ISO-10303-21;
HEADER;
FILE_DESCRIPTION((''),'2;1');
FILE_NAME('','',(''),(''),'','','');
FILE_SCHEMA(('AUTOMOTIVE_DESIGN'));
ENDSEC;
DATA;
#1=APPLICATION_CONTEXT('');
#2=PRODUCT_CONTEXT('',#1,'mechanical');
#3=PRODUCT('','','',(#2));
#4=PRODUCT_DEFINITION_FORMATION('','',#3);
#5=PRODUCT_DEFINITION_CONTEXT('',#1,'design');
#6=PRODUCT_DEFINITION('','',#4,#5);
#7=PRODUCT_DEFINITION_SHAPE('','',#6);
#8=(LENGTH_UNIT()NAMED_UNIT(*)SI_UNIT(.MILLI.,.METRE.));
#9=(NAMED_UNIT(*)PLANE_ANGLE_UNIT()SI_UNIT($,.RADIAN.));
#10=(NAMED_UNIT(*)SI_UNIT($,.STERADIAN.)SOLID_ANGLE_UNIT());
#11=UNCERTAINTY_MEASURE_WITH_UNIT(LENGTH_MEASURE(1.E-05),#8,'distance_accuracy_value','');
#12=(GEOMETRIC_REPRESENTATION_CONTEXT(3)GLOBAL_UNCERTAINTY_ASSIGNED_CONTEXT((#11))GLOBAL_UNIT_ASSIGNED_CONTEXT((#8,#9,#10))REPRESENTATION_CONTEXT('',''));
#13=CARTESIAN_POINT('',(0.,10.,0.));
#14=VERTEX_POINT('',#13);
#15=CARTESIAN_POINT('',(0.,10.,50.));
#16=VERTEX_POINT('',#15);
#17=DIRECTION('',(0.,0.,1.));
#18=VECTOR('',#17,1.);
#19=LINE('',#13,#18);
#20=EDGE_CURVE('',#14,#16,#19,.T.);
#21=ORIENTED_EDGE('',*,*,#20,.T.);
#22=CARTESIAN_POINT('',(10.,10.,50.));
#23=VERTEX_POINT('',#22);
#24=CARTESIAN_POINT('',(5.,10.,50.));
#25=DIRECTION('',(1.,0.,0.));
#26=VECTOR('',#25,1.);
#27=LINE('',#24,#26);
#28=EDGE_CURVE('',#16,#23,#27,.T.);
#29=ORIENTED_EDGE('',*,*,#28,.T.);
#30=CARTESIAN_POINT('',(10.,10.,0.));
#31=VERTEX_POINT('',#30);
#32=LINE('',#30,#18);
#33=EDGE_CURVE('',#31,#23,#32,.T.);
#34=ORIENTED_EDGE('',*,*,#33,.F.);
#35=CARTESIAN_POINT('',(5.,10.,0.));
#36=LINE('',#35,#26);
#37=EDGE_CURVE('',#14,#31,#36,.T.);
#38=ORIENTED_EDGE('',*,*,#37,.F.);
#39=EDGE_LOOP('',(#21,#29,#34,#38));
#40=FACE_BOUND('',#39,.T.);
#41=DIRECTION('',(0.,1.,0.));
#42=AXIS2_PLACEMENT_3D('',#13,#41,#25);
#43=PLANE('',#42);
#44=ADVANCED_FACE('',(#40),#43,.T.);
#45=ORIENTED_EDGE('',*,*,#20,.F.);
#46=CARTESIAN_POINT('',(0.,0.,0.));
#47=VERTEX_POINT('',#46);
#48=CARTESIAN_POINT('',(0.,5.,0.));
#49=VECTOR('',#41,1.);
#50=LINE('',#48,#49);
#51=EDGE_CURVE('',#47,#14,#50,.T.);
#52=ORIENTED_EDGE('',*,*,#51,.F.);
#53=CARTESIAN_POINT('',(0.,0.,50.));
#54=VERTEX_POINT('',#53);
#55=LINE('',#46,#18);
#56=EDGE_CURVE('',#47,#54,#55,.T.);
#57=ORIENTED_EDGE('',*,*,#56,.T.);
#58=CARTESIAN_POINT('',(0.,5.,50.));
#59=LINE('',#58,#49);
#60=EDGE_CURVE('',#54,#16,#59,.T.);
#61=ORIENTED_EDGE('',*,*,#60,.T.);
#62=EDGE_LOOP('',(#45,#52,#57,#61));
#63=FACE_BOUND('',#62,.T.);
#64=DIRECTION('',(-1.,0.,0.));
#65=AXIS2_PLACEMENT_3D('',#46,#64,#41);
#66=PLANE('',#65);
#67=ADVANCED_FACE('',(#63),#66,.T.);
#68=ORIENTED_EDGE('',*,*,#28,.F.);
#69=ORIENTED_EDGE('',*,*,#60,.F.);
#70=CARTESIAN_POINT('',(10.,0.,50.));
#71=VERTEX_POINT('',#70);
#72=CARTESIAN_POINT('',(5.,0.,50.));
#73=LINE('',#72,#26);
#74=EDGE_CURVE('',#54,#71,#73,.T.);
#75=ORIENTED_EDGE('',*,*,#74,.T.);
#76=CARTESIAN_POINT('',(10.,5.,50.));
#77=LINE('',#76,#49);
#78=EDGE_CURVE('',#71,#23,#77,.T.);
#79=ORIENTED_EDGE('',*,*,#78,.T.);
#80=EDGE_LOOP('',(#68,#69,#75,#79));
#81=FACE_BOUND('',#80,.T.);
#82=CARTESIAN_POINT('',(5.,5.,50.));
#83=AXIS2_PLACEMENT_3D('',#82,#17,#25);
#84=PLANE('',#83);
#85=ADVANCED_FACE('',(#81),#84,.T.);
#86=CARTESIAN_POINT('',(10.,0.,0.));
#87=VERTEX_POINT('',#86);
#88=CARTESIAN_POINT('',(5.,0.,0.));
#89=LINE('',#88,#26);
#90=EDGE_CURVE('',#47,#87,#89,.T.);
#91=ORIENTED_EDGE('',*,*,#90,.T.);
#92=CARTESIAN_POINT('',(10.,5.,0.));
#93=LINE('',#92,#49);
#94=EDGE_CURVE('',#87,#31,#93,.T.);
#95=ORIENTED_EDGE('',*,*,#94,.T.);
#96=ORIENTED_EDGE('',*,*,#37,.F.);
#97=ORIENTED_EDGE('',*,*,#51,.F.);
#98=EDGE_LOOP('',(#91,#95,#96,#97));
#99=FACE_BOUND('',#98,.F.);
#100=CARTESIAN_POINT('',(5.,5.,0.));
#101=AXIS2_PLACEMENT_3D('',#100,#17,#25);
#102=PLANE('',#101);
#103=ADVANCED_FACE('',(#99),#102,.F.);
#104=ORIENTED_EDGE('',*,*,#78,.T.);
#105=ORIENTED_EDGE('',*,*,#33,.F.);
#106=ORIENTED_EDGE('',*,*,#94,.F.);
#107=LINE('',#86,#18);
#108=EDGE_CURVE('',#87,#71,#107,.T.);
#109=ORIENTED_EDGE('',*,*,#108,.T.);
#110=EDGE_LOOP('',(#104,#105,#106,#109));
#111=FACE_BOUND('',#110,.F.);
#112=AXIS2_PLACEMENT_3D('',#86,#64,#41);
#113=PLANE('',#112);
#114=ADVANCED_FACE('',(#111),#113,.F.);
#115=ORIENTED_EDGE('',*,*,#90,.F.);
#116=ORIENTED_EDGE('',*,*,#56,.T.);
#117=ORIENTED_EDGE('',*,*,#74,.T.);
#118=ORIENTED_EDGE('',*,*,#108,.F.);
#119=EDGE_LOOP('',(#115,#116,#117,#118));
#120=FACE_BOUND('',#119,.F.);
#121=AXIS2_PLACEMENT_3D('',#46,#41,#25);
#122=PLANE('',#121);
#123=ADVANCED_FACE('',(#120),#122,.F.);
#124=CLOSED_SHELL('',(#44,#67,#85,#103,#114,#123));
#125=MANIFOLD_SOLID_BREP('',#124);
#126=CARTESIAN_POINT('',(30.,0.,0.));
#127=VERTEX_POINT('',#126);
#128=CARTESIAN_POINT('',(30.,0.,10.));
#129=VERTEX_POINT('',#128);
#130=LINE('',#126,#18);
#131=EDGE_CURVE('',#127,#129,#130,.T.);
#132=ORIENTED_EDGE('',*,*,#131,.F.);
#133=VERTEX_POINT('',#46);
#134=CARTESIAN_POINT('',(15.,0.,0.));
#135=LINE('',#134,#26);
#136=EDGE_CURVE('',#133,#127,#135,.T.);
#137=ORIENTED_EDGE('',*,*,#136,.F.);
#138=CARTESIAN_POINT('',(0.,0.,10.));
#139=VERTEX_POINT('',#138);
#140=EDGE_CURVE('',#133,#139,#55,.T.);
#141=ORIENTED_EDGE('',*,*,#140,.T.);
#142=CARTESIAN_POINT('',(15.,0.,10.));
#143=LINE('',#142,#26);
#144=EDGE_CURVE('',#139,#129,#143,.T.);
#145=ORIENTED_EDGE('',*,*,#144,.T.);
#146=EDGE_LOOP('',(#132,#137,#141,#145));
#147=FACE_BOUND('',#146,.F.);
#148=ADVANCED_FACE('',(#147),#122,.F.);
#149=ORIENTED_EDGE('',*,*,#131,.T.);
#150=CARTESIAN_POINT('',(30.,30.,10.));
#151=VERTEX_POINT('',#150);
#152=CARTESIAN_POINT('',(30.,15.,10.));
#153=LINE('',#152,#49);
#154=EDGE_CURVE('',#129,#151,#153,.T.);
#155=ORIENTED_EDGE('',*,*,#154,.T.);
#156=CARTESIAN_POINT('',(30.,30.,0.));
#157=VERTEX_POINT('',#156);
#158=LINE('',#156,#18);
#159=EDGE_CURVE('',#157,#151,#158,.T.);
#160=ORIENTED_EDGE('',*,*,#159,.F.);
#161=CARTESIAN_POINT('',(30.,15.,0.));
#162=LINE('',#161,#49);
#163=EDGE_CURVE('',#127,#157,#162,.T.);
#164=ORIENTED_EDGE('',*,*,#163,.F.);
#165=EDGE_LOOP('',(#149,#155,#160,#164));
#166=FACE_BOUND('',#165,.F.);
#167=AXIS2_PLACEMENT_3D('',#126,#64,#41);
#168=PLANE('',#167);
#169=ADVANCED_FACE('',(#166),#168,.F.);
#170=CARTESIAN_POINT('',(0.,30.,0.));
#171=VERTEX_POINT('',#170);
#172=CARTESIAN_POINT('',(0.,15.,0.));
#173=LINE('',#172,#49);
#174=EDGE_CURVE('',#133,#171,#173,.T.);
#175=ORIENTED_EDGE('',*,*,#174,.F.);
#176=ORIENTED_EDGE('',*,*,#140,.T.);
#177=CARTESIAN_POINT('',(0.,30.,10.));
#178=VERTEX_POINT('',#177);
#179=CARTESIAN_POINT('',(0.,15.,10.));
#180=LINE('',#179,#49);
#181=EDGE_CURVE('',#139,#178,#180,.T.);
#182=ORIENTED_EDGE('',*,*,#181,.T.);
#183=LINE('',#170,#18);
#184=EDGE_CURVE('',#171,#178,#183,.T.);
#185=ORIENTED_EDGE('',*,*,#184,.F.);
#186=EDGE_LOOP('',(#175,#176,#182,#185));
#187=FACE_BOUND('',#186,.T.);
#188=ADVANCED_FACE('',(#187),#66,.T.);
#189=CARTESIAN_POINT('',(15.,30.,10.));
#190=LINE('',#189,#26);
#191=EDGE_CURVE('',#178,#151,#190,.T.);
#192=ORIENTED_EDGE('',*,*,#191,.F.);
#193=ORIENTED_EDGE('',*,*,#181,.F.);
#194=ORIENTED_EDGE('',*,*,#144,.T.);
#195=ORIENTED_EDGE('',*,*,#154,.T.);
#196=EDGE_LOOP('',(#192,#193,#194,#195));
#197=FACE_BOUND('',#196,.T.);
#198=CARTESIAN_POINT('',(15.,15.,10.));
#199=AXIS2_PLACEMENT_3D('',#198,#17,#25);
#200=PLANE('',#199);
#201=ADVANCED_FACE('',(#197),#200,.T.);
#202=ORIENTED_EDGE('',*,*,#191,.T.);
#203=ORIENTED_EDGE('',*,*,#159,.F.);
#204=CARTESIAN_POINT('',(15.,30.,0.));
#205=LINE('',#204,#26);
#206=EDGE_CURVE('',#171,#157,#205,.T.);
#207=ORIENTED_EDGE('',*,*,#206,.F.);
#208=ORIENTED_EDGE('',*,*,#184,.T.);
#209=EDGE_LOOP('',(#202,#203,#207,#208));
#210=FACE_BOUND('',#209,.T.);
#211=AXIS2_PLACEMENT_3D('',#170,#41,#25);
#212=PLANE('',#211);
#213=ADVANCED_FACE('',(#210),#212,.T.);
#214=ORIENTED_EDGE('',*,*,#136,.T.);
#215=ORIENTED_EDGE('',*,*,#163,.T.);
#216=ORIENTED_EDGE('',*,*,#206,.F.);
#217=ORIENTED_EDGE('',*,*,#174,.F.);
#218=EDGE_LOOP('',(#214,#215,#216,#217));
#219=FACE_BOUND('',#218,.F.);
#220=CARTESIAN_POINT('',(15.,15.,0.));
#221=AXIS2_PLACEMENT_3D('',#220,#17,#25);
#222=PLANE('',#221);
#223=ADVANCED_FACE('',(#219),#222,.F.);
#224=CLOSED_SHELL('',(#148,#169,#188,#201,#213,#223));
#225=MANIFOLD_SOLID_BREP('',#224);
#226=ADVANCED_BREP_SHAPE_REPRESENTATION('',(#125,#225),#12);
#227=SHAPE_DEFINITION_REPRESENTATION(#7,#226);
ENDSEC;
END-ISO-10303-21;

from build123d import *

# Parameters (mm, degrees)
BOX_W        = 30
BOX_H        = 30
BOX_DEPTH    = 10
BOX001_W     = 10
BOX001_H     = 10
BOX001_DEPTH = 50


with BuildPart() as base:
    # Box → Box (new body)
    with BuildSketch(Plane.XY):
        with Locations((15, 15)):
            Rectangle(BOX_W, BOX_H)
    extrude(amount=BOX_DEPTH)


with BuildPart() as pillar:
    # Box001 → Box001 (new body)
    with BuildSketch(Plane.XY):
        with Locations((5, 5)):
            Rectangle(BOX001_W, BOX001_H)
    extrude(amount=BOX001_DEPTH)


solid = Compound([base.part, pillar.part])
